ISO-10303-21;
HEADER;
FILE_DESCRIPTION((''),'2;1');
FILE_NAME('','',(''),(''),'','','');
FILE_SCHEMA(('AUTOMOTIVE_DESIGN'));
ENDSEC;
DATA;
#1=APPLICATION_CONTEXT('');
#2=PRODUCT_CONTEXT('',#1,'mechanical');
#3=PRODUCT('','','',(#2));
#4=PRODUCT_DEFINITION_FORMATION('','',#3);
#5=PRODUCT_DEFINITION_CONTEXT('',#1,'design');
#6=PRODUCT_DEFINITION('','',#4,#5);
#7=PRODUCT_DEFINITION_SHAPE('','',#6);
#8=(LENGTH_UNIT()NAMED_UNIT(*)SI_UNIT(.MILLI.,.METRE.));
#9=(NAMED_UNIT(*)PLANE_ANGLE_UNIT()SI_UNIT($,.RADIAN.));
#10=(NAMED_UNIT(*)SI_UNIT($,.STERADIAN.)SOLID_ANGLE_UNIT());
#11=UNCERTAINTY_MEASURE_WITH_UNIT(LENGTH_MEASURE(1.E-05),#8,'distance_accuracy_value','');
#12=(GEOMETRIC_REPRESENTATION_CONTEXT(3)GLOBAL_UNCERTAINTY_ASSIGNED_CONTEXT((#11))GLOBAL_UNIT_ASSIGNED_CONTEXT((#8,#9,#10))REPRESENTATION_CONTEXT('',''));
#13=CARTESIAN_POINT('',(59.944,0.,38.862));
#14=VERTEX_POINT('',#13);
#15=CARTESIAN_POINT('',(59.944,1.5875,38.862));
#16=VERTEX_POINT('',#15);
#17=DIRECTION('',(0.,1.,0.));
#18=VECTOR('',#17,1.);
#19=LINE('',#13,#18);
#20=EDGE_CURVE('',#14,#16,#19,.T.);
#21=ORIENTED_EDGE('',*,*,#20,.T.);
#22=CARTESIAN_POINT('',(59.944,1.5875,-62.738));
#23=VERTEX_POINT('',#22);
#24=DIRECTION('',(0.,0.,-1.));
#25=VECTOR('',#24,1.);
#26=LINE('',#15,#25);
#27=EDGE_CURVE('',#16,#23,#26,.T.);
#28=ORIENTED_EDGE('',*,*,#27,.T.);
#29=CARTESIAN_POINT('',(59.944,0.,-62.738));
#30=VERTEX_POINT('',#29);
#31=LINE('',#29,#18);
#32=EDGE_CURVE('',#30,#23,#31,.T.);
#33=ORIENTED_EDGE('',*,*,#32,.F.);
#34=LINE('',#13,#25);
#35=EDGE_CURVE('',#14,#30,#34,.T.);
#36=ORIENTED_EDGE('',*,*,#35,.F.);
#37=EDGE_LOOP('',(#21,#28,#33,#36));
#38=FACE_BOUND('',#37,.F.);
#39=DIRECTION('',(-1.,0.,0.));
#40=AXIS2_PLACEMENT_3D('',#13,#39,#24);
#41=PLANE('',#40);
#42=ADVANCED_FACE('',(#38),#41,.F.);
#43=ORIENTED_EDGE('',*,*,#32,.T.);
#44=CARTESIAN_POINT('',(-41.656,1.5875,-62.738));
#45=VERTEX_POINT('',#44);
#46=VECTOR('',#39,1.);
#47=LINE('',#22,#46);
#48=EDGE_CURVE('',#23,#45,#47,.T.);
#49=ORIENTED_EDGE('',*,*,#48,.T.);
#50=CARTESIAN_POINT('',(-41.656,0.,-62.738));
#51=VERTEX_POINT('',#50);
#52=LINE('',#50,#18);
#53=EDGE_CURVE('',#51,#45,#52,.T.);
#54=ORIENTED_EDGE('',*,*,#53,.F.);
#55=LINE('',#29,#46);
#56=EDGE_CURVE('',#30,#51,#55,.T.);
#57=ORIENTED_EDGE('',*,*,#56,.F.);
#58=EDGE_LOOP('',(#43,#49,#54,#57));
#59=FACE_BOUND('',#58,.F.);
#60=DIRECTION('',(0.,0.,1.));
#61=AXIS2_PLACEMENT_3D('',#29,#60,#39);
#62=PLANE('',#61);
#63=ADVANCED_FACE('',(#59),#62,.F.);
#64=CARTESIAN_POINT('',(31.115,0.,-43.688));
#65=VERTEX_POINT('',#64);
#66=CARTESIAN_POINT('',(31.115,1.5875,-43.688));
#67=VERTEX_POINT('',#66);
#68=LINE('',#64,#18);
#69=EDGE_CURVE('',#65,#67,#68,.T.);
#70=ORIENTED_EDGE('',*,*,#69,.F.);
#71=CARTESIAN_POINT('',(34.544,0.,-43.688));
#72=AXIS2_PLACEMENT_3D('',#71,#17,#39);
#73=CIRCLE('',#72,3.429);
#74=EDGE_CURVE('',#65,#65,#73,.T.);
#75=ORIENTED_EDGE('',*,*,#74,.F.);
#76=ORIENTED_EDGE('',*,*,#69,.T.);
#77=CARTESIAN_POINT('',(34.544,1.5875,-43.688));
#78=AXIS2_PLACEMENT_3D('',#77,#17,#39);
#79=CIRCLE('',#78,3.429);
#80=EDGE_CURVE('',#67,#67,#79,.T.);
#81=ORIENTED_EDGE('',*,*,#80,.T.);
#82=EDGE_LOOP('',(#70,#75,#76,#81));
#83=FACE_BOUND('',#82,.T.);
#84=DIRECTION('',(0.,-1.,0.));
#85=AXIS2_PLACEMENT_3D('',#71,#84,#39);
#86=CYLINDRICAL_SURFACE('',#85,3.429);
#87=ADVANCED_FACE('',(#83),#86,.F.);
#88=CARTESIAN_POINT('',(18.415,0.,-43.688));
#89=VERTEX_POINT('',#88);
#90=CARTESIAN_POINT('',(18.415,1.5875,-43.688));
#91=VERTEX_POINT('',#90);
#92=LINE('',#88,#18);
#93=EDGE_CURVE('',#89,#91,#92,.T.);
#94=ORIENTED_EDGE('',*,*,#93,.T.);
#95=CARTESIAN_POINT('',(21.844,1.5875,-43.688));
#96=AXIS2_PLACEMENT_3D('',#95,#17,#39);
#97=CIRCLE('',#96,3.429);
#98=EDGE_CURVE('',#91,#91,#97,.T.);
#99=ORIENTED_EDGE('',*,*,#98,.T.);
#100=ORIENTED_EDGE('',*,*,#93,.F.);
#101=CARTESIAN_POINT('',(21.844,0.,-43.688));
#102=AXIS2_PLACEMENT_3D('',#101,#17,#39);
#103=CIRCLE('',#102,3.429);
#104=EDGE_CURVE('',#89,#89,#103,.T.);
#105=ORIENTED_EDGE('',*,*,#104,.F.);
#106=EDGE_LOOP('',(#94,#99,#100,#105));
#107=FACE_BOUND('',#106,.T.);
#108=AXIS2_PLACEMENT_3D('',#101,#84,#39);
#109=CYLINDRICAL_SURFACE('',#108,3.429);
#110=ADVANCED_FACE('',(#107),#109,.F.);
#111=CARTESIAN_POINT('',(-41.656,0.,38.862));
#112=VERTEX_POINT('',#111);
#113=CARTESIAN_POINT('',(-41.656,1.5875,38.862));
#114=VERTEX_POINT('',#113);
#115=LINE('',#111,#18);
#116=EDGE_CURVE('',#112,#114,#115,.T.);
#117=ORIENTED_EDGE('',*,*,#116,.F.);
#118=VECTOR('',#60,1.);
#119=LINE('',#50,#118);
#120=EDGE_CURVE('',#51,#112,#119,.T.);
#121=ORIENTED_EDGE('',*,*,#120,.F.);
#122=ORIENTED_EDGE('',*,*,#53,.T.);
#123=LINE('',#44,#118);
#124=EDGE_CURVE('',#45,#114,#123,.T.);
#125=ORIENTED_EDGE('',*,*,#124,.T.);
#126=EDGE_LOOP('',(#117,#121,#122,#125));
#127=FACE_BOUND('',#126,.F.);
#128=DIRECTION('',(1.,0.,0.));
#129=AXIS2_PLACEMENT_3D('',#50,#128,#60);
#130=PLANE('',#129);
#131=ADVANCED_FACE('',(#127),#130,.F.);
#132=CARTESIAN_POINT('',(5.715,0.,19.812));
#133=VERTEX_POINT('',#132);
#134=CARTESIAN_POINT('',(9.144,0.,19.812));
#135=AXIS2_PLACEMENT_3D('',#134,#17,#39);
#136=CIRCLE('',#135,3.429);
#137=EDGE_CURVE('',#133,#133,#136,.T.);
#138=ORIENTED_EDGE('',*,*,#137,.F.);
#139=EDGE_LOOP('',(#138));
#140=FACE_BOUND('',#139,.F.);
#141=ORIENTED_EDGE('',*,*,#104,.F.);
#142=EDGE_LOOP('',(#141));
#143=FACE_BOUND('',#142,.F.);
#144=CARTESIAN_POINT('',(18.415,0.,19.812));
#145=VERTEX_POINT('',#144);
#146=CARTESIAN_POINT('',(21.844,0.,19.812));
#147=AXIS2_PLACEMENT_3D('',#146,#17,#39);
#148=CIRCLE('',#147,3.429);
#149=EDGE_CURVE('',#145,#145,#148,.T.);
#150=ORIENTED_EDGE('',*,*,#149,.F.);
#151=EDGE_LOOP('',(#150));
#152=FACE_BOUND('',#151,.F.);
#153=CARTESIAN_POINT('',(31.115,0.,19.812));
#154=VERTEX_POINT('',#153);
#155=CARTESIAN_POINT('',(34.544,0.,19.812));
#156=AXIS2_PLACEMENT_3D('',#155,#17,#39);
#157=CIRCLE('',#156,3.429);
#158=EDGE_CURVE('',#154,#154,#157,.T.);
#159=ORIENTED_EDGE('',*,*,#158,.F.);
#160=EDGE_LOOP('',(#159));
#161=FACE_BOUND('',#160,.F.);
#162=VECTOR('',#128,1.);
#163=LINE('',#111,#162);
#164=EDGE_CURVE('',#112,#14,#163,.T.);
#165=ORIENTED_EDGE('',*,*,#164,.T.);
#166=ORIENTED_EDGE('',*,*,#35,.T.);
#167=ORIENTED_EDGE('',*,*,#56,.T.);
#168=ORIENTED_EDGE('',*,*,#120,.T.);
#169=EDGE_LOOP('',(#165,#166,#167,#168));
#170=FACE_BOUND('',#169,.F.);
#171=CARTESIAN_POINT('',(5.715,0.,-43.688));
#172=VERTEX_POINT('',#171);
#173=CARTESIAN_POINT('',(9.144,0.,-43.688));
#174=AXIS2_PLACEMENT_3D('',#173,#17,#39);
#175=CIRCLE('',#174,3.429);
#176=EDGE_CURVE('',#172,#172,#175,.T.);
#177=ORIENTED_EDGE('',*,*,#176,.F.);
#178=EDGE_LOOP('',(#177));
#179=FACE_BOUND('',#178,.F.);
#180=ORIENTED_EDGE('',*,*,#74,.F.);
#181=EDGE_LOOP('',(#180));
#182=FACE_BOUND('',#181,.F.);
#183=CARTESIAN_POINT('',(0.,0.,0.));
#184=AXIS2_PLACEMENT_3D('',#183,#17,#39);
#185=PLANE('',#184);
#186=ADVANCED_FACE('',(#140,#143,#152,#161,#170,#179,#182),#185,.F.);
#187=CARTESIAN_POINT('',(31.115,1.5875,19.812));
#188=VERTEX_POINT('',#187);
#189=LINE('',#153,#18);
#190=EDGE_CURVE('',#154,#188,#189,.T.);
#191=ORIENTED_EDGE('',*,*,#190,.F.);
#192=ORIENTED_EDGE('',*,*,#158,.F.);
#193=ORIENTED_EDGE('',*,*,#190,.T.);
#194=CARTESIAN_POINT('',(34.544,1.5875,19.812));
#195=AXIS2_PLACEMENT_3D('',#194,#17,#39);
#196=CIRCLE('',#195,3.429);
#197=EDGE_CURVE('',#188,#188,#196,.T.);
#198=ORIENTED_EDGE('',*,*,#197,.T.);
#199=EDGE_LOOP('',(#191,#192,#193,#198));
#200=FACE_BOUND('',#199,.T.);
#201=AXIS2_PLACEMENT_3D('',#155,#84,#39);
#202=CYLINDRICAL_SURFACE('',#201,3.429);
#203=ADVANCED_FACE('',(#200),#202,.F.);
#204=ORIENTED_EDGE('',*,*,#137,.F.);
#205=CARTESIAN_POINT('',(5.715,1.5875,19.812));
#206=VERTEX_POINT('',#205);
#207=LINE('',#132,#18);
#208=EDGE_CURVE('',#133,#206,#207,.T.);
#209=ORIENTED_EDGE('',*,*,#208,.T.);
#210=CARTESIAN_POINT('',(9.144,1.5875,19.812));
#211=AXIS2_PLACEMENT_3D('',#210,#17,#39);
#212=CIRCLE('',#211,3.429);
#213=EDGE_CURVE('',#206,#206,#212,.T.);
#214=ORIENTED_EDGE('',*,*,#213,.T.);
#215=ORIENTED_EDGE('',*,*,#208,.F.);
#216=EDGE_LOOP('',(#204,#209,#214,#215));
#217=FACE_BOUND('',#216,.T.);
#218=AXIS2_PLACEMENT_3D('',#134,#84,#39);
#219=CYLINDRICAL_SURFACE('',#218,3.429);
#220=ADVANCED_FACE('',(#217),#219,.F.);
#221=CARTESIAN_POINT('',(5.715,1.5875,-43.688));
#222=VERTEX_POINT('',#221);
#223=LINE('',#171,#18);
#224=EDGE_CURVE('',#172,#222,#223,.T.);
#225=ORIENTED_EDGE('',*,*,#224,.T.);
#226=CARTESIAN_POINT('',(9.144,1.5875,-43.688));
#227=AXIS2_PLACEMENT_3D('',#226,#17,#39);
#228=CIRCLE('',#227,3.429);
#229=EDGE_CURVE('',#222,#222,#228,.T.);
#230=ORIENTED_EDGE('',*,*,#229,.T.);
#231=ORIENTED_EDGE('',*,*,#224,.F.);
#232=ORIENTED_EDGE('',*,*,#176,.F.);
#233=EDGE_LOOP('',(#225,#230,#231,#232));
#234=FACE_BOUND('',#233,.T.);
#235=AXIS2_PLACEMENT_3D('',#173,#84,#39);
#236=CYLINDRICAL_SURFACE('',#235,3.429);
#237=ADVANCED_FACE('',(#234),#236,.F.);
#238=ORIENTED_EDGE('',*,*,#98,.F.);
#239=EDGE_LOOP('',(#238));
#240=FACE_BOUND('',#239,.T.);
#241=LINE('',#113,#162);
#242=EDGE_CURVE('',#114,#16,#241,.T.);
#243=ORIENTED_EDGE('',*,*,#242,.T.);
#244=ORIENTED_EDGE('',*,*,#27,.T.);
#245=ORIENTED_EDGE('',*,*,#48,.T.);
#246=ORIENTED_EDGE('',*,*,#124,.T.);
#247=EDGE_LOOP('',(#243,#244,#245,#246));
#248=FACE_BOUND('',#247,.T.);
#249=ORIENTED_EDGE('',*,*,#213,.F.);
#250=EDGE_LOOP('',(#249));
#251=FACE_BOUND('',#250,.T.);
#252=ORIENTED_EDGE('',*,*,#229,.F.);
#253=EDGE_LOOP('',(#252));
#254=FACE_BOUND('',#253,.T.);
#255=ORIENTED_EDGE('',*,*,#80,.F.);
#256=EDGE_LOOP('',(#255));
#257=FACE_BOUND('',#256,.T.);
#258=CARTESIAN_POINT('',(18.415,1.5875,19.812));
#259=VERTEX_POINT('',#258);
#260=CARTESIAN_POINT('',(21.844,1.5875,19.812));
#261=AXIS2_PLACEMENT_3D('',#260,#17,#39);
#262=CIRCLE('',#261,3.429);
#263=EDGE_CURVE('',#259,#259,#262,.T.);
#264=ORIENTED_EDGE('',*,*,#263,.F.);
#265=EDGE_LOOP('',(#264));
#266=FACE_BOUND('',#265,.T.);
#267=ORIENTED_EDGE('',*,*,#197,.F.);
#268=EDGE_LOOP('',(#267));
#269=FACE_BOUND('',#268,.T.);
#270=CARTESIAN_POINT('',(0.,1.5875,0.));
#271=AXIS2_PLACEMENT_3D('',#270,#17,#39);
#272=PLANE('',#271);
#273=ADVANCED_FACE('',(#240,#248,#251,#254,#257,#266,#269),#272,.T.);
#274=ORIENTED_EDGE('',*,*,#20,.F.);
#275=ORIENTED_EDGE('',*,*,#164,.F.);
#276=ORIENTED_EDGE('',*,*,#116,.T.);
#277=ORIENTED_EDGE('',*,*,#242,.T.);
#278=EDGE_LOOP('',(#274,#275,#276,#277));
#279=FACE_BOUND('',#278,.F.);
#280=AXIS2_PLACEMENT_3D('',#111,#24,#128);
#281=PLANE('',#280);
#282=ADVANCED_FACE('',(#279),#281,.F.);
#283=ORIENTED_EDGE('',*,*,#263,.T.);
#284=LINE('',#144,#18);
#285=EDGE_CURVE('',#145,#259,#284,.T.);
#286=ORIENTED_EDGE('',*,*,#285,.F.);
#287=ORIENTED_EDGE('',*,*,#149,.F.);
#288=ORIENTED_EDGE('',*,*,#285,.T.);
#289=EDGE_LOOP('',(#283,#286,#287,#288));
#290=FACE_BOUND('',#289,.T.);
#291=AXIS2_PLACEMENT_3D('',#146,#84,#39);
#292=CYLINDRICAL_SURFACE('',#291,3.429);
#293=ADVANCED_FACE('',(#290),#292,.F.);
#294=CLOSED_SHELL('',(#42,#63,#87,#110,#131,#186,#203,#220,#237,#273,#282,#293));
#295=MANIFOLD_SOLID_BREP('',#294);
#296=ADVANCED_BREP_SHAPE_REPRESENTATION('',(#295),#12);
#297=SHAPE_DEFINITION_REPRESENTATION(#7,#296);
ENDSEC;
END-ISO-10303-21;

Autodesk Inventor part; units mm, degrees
ref_plane "YZ Plane" through (0, 0, 0) normal (1, 0, 0) x (0, 1, 0)
ref_plane "XZ Plane" through (0, 0, 0) normal (0, 1, 0) x (-1, 0, 0)
ref_plane "XY Plane" through (0, 0, 0) normal (0, 0, 1) x (1, 0, 0)
sketch "Sketch1" plane through (0, 0, 0) normal (0, 1, 0) x (-1, 0, 0)
  line L0 (41.656, 38.862) -> (-59.944, 38.862)
  line L1 (-59.944, 38.862) -> (-59.944, -62.738)
  line L2 (-59.944, -62.738) -> (41.656, -62.738)
  line L3 (41.656, -62.738) -> (41.656, 38.862)
  circle A0 centre (-9.144, 19.812) radius 3.429
  circle A1 centre (-21.844, 19.812) radius 3.429
  circle A2 centre (-34.544, 19.812) radius 3.429
  circle A3 centre (-9.144, -43.688) radius 3.429
  circle A4 centre (-21.844, -43.688) radius 3.429
  circle A5 centre (-34.544, -43.688) radius 3.429
  point P0 (0, 0)
  point P1 (-9.144, 19.812)
  point P2 (-9.144, -43.688)
  point P3 (-9.144, -43.688)
  dimension "d0" = 101.6
  dimension "d1" = 101.6
  dimension "d3" = 6.858
  dimension "d4" = 12.7
  dimension "d5" = 12.7
  dimension "d6" = 25.4
  dimension "d8" = 19.05
  dimension "d9" = 19.05
  dimension "d10" = 6.858
  dimension "d11" = 12.7
  dimension "d12" = 12.7
extrude "Extrusion1" add sketch "Sketch1" along normal blind 1.5875
properties part number "Slider"
